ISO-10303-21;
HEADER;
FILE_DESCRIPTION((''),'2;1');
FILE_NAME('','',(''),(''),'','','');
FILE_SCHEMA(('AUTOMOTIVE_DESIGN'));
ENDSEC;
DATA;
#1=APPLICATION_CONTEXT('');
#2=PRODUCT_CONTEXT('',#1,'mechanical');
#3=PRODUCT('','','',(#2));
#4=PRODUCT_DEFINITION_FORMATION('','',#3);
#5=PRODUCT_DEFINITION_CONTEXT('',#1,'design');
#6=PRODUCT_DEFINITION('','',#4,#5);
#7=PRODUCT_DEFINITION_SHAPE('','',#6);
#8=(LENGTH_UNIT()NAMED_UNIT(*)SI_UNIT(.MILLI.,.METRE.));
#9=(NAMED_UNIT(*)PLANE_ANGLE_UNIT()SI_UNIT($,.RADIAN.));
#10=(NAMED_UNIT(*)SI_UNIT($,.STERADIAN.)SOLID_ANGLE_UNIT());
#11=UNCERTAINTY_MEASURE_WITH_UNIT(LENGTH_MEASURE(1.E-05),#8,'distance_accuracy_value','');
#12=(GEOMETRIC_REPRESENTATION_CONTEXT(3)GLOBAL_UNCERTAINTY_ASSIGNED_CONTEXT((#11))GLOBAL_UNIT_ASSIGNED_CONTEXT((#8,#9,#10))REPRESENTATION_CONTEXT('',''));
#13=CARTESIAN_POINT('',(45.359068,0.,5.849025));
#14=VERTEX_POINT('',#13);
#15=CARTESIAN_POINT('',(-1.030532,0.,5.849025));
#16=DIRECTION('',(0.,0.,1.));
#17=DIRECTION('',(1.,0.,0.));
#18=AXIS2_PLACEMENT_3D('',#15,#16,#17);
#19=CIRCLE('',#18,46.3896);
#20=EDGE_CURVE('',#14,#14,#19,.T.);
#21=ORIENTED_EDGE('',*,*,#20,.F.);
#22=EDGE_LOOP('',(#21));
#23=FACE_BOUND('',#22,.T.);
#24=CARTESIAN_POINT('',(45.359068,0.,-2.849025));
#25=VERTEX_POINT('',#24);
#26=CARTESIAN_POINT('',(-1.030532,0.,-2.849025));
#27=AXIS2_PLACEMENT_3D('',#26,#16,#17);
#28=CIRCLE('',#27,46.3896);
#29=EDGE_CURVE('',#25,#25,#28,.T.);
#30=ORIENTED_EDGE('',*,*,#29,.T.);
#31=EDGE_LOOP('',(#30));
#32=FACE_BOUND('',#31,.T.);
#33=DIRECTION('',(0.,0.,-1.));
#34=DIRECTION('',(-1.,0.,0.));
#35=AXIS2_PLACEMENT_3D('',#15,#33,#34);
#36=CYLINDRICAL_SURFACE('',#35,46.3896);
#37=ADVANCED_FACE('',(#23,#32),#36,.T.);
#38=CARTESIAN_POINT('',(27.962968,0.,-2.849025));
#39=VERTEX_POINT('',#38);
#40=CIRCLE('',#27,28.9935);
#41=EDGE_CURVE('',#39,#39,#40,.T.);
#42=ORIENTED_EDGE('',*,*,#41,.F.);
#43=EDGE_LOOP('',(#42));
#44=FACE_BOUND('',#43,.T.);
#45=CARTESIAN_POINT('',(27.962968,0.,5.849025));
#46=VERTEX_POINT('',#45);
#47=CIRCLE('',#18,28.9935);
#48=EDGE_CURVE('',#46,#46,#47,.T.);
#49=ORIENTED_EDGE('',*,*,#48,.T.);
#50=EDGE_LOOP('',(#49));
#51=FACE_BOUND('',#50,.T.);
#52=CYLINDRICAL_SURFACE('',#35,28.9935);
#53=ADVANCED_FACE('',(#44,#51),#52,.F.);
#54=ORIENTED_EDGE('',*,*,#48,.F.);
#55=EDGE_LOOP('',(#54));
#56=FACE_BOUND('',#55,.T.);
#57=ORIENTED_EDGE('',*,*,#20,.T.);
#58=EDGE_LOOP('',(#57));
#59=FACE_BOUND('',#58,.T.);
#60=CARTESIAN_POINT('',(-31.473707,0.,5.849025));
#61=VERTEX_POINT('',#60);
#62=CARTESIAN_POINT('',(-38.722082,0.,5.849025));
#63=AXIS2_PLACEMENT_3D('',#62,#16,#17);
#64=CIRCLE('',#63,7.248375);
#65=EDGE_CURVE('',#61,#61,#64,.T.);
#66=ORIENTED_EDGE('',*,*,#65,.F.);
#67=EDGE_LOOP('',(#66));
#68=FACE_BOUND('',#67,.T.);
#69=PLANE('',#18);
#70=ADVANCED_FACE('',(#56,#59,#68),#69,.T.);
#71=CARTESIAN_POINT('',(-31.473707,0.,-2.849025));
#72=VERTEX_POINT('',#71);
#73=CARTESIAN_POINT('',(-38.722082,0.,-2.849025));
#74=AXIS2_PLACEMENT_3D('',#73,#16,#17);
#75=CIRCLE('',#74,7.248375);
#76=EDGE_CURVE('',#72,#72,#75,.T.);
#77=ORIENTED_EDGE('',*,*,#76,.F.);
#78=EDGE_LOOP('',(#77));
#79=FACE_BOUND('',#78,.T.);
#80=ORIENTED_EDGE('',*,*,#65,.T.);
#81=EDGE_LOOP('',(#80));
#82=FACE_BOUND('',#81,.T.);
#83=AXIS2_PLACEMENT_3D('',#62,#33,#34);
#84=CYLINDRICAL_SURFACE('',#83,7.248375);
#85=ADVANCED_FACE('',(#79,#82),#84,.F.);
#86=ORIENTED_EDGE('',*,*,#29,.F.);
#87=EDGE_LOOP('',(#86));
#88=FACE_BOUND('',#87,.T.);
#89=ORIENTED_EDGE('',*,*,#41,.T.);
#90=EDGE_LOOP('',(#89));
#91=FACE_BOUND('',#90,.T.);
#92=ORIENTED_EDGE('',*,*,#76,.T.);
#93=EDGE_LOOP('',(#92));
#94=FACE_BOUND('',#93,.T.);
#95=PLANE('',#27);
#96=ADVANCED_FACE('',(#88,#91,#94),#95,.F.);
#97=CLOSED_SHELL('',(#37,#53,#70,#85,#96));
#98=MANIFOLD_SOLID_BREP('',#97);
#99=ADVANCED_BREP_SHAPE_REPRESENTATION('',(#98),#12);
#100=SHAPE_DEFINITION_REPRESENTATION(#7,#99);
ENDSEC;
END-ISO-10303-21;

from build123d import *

# Parameters (mm, degrees)
SKETCH1_R           = 16
SKETCH1_R_2         = 10
SKETCH1_R_3         = 2.5
BOSS_EXTRUDE1_DEPTH = 3
SCALE1_SCALE        = 1.9329
SCALE2_SCALE        = 1.5


with BuildPart() as part:
    # Sketch1 → Boss-Extrude1 (new body)
    with BuildSketch(Plane.XY):
        Circle(SKETCH1_R)
        Circle(SKETCH1_R_2, mode=Mode.SUBTRACT)
        with Locations((-13, 0)):
            Circle(SKETCH1_R_3, mode=Mode.SUBTRACT)
    extrude(amount=BOSS_EXTRUDE1_DEPTH)


with BuildPart() as part_1:
    # Scale1: scaled about (0.542570952, 0, 1.5)
    add(part.part.scale(SCALE1_SCALE).moved(Location((-0.506164441, 0, -1.39935))))


with BuildPart() as part_2:
    # Scale2: scaled about (0.542570951, 0, 1.5)
    add(part_1.part.scale(SCALE2_SCALE).moved(Location((-0.271285475, 0, -0.75))))


solid = part_2.part
